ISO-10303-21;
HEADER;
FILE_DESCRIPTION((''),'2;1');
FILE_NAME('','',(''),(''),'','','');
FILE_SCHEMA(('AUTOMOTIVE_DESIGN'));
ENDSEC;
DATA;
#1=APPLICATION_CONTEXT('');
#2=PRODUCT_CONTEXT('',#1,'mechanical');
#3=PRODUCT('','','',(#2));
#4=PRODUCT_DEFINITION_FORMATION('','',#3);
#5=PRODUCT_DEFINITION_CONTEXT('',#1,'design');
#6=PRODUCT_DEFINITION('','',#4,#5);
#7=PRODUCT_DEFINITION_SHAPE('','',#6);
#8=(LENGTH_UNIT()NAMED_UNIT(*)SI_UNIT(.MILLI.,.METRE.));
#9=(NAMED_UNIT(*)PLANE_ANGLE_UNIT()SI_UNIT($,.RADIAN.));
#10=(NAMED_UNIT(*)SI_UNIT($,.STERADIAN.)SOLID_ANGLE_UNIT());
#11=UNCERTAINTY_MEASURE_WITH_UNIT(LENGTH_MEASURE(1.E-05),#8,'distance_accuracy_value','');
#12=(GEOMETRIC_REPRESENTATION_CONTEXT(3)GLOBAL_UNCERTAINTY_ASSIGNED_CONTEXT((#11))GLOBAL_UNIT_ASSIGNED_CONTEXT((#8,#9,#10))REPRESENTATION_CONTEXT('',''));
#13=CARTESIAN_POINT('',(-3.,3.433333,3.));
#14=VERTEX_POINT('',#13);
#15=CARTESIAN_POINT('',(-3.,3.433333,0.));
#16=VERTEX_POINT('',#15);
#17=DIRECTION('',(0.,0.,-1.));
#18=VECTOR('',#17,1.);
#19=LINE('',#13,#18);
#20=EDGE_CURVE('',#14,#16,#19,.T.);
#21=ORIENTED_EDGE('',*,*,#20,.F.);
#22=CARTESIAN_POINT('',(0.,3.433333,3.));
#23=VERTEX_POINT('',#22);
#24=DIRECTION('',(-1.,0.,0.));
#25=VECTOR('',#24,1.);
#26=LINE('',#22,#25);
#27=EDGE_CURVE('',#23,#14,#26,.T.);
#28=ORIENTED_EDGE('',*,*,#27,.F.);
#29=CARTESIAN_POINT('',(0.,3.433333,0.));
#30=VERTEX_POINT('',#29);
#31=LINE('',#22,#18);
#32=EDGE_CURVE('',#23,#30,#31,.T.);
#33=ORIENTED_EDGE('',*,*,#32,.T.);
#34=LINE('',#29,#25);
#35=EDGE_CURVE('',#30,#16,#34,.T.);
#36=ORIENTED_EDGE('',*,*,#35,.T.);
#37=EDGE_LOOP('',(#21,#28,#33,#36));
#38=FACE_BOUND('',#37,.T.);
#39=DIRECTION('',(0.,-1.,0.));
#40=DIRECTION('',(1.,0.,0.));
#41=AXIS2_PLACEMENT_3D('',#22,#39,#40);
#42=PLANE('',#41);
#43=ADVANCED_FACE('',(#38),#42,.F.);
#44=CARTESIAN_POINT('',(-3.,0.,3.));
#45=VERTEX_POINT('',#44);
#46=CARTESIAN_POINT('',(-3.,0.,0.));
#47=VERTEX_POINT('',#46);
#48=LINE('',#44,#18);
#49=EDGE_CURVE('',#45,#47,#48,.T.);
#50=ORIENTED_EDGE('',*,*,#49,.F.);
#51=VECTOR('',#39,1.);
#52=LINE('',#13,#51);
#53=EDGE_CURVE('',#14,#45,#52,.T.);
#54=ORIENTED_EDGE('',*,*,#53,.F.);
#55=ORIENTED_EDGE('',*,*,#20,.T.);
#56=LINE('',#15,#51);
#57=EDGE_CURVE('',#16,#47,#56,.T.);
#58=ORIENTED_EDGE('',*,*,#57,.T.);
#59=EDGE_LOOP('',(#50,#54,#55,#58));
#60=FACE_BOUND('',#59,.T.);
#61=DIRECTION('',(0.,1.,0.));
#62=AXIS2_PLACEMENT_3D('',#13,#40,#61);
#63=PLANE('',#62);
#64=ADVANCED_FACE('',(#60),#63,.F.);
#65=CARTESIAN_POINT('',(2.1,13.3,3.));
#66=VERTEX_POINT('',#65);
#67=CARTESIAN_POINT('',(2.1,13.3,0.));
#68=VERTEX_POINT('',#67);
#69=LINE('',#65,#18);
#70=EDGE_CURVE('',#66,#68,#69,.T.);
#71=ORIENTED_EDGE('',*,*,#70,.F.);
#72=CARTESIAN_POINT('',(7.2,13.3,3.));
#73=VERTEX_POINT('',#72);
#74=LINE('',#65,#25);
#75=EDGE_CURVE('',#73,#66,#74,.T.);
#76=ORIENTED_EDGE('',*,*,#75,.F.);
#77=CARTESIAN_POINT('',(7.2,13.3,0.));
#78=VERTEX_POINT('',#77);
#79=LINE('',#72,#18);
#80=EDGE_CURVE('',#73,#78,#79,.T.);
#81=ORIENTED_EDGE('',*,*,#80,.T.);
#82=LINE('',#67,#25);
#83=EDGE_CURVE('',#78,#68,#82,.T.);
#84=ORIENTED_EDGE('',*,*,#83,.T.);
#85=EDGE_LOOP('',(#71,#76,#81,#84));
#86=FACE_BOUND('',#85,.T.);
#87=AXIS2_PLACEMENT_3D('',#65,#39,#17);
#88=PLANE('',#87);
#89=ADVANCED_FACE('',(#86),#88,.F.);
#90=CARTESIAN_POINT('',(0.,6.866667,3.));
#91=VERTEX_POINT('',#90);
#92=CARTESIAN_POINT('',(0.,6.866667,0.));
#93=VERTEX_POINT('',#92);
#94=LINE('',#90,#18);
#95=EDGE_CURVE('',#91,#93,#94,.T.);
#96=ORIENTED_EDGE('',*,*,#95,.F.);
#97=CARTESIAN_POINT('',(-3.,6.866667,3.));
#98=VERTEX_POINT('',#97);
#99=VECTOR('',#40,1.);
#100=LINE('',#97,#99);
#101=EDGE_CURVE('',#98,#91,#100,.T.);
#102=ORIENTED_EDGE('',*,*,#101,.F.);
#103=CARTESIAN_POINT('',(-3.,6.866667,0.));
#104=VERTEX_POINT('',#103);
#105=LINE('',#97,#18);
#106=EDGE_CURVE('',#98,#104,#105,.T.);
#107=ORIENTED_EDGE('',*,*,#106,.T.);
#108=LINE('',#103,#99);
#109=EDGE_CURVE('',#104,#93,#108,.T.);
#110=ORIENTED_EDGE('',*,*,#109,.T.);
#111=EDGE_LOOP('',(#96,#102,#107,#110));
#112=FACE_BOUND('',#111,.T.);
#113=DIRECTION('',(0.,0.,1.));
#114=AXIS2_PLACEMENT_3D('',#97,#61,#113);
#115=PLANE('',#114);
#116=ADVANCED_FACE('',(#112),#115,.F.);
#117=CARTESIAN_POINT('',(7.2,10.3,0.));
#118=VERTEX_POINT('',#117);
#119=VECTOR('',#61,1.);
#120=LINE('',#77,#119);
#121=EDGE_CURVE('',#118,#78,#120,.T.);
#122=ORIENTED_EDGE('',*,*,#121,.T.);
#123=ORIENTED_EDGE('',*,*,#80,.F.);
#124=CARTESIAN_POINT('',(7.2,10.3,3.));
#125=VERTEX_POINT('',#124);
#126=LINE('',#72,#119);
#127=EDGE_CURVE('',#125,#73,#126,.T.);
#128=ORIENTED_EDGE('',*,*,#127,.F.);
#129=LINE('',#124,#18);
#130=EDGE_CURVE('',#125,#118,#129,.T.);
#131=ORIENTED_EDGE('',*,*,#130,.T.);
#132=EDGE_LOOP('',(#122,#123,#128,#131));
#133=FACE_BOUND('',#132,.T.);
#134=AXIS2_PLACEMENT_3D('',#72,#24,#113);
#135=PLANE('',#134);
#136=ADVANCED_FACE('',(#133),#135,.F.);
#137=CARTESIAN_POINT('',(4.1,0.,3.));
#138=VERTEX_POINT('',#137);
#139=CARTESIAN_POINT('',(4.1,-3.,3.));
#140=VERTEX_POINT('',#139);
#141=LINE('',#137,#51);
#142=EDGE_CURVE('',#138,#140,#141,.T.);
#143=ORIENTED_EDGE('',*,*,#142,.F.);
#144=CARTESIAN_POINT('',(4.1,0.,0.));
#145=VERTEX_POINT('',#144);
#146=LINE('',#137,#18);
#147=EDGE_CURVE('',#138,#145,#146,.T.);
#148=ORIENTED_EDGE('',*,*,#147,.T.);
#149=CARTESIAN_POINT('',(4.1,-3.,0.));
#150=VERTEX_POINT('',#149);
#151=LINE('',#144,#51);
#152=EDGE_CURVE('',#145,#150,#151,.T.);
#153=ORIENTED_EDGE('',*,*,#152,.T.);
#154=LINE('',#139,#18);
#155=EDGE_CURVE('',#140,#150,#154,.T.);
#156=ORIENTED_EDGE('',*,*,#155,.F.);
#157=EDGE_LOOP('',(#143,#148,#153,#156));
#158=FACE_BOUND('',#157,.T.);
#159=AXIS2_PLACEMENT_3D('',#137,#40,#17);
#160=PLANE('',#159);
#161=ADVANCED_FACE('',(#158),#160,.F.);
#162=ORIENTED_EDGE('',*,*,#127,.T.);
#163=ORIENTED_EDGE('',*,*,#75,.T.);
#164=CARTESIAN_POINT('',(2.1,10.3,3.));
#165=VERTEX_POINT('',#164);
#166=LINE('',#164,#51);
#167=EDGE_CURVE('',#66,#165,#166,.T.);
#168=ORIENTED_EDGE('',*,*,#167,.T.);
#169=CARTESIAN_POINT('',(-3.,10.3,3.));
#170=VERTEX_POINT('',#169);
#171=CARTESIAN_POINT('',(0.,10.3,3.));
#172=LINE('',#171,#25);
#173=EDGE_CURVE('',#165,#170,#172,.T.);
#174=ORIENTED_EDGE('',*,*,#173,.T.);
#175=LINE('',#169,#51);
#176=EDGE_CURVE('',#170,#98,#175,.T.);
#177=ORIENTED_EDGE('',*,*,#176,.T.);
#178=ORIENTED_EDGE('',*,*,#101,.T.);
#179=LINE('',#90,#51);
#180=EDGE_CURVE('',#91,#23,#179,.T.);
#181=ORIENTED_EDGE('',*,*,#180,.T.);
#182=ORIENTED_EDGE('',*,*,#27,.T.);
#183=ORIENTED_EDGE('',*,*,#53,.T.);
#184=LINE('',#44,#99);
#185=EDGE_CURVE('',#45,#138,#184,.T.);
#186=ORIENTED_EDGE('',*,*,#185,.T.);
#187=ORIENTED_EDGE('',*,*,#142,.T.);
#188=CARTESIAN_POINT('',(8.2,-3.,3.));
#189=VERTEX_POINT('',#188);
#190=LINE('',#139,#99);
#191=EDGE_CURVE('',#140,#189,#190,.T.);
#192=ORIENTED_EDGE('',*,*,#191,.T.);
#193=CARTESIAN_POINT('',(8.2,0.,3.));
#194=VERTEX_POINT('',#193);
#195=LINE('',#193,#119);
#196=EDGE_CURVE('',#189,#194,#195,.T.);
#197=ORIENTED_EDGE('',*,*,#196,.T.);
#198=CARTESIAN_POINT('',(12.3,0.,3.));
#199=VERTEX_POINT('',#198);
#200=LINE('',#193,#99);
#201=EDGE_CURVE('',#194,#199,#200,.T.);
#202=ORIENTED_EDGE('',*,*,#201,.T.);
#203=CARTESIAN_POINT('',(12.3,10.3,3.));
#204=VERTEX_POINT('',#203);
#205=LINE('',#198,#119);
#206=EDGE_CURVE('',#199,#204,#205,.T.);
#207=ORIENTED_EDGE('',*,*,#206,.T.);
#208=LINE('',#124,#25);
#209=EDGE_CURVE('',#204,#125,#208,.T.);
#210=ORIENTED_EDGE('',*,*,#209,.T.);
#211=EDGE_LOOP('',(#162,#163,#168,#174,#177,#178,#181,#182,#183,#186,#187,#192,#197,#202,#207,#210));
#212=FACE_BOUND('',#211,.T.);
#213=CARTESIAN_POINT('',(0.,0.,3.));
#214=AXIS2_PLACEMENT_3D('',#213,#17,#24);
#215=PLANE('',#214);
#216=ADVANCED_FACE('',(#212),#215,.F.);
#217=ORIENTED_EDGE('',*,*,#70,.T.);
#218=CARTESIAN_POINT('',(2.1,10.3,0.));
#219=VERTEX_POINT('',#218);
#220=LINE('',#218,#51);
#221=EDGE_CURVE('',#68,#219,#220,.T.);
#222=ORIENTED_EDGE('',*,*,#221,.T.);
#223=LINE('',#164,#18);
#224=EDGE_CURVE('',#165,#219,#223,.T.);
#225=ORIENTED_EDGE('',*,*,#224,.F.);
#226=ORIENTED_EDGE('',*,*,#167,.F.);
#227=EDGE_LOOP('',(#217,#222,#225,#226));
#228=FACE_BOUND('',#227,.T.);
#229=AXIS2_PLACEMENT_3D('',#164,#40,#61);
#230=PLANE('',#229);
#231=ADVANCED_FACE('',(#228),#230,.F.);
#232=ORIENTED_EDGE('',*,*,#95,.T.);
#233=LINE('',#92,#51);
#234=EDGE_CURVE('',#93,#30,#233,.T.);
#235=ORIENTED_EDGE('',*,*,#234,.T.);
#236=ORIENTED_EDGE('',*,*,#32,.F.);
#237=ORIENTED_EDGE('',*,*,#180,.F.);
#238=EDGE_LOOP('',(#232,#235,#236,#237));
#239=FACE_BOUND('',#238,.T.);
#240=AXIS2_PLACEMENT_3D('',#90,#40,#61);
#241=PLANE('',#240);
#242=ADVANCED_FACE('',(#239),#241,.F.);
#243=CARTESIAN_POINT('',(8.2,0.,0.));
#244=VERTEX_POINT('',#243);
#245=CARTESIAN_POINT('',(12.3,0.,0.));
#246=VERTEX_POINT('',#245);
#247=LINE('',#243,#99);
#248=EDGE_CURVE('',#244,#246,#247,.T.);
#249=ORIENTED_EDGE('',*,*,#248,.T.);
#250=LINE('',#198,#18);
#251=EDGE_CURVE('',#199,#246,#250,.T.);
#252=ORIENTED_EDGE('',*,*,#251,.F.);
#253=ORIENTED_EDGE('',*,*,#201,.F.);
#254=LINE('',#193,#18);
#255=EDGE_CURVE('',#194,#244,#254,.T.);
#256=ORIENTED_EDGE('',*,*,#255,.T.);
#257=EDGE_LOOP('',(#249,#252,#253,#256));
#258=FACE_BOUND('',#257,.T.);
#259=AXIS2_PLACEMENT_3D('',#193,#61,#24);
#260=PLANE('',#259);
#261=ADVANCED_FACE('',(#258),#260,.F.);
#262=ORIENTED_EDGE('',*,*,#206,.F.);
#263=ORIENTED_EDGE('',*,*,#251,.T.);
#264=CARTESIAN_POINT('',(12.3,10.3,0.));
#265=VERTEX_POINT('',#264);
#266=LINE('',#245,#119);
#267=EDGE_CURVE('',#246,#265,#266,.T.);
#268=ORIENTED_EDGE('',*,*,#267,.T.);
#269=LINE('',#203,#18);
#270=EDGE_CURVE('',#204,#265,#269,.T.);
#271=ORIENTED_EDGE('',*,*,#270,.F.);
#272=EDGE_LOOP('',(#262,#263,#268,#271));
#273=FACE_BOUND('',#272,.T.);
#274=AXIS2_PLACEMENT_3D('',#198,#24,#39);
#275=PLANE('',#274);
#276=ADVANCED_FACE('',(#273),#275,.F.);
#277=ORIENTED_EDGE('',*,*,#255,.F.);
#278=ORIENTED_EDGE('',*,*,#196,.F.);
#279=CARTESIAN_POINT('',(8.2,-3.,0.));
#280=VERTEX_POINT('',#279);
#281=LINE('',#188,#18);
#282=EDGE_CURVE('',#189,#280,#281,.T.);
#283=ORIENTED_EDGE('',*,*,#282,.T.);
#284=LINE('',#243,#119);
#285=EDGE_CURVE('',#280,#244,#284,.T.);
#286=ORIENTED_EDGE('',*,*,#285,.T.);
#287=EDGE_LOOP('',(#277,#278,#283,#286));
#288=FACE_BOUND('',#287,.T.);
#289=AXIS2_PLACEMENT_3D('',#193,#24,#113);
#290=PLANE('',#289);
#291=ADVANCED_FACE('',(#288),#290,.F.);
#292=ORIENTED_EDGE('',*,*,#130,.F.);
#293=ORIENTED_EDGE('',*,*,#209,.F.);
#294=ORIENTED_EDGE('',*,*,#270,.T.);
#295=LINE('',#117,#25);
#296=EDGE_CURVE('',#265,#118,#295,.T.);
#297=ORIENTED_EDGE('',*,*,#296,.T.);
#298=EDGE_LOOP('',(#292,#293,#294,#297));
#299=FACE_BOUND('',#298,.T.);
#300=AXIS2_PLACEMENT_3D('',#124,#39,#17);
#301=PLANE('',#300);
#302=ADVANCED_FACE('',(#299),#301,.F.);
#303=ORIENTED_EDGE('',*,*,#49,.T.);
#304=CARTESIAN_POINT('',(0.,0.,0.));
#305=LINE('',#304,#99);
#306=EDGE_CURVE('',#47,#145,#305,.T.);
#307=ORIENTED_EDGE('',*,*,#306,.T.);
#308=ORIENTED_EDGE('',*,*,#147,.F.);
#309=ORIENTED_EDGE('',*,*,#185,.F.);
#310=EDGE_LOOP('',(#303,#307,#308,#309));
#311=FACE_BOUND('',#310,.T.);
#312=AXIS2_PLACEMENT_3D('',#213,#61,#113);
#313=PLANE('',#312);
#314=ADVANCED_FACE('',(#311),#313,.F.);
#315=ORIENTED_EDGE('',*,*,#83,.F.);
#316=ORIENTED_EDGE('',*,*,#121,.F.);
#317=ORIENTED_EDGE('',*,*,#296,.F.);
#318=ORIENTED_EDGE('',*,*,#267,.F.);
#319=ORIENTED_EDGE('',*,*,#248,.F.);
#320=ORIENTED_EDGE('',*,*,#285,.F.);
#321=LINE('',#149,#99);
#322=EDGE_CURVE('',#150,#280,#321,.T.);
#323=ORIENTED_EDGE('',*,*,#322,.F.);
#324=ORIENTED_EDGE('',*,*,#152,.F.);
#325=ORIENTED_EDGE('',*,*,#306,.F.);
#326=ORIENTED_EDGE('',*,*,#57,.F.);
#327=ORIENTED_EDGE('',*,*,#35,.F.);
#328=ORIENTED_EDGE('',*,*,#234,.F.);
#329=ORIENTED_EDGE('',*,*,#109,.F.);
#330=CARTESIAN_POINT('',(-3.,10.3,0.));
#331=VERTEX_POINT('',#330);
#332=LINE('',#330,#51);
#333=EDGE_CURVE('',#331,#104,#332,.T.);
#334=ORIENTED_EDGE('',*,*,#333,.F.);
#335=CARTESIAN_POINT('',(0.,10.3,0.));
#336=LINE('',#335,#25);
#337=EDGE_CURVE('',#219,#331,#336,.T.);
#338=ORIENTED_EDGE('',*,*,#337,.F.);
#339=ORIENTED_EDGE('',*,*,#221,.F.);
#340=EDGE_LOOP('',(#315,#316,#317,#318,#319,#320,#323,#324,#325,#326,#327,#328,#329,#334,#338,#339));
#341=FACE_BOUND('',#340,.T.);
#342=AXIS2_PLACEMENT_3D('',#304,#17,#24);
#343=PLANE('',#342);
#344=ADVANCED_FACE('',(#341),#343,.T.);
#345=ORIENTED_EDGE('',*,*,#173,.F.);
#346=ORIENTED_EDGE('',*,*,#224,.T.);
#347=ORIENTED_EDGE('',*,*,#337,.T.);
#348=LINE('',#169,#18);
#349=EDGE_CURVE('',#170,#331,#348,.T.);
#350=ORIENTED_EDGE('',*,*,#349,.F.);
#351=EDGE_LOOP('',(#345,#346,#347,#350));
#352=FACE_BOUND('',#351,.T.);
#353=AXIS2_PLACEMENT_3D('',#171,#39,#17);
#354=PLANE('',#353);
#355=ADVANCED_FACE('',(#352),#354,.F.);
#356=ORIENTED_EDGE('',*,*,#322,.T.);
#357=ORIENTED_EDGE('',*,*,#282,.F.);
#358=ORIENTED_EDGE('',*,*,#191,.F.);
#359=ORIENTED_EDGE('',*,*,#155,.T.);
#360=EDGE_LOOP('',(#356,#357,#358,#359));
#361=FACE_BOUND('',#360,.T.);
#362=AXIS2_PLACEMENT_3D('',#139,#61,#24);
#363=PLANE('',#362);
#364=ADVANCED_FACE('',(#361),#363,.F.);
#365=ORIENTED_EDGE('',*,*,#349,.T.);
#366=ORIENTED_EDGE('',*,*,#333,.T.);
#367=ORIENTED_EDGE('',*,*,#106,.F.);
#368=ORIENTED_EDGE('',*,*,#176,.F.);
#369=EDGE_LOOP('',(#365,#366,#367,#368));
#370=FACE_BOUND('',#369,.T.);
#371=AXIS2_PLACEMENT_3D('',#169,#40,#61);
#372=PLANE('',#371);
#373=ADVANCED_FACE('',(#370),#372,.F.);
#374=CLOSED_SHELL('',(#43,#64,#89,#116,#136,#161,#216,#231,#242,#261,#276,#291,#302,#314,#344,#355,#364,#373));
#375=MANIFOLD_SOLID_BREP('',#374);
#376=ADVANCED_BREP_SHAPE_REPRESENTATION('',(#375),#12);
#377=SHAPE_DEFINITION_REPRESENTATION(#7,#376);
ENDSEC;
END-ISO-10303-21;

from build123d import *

# Parameters (mm, degrees)
BOSS_EXTRUDE1_DEPTH = 3


with BuildPart() as part:
    # Sketch1 → Boss-Extrude1 (new body)
    with BuildSketch(Plane.XY):
        Polygon((0, 0), (4.1, 0), (4.1, -3), (8.2, -3), (8.2, 0), (12.3, 0), (12.3, 10.3), (7.2, 10.3), (7.2, 13.3), (2.1, 13.3), (2.1, 10.3), (0, 10.3), (-3, 10.3), (-3, 6.866666667), (0, 6.866666667), (0, 3.433333333), (-3, 3.433333333), (-3, 0), align=None)
    extrude(amount=BOSS_EXTRUDE1_DEPTH)


solid = part.part
